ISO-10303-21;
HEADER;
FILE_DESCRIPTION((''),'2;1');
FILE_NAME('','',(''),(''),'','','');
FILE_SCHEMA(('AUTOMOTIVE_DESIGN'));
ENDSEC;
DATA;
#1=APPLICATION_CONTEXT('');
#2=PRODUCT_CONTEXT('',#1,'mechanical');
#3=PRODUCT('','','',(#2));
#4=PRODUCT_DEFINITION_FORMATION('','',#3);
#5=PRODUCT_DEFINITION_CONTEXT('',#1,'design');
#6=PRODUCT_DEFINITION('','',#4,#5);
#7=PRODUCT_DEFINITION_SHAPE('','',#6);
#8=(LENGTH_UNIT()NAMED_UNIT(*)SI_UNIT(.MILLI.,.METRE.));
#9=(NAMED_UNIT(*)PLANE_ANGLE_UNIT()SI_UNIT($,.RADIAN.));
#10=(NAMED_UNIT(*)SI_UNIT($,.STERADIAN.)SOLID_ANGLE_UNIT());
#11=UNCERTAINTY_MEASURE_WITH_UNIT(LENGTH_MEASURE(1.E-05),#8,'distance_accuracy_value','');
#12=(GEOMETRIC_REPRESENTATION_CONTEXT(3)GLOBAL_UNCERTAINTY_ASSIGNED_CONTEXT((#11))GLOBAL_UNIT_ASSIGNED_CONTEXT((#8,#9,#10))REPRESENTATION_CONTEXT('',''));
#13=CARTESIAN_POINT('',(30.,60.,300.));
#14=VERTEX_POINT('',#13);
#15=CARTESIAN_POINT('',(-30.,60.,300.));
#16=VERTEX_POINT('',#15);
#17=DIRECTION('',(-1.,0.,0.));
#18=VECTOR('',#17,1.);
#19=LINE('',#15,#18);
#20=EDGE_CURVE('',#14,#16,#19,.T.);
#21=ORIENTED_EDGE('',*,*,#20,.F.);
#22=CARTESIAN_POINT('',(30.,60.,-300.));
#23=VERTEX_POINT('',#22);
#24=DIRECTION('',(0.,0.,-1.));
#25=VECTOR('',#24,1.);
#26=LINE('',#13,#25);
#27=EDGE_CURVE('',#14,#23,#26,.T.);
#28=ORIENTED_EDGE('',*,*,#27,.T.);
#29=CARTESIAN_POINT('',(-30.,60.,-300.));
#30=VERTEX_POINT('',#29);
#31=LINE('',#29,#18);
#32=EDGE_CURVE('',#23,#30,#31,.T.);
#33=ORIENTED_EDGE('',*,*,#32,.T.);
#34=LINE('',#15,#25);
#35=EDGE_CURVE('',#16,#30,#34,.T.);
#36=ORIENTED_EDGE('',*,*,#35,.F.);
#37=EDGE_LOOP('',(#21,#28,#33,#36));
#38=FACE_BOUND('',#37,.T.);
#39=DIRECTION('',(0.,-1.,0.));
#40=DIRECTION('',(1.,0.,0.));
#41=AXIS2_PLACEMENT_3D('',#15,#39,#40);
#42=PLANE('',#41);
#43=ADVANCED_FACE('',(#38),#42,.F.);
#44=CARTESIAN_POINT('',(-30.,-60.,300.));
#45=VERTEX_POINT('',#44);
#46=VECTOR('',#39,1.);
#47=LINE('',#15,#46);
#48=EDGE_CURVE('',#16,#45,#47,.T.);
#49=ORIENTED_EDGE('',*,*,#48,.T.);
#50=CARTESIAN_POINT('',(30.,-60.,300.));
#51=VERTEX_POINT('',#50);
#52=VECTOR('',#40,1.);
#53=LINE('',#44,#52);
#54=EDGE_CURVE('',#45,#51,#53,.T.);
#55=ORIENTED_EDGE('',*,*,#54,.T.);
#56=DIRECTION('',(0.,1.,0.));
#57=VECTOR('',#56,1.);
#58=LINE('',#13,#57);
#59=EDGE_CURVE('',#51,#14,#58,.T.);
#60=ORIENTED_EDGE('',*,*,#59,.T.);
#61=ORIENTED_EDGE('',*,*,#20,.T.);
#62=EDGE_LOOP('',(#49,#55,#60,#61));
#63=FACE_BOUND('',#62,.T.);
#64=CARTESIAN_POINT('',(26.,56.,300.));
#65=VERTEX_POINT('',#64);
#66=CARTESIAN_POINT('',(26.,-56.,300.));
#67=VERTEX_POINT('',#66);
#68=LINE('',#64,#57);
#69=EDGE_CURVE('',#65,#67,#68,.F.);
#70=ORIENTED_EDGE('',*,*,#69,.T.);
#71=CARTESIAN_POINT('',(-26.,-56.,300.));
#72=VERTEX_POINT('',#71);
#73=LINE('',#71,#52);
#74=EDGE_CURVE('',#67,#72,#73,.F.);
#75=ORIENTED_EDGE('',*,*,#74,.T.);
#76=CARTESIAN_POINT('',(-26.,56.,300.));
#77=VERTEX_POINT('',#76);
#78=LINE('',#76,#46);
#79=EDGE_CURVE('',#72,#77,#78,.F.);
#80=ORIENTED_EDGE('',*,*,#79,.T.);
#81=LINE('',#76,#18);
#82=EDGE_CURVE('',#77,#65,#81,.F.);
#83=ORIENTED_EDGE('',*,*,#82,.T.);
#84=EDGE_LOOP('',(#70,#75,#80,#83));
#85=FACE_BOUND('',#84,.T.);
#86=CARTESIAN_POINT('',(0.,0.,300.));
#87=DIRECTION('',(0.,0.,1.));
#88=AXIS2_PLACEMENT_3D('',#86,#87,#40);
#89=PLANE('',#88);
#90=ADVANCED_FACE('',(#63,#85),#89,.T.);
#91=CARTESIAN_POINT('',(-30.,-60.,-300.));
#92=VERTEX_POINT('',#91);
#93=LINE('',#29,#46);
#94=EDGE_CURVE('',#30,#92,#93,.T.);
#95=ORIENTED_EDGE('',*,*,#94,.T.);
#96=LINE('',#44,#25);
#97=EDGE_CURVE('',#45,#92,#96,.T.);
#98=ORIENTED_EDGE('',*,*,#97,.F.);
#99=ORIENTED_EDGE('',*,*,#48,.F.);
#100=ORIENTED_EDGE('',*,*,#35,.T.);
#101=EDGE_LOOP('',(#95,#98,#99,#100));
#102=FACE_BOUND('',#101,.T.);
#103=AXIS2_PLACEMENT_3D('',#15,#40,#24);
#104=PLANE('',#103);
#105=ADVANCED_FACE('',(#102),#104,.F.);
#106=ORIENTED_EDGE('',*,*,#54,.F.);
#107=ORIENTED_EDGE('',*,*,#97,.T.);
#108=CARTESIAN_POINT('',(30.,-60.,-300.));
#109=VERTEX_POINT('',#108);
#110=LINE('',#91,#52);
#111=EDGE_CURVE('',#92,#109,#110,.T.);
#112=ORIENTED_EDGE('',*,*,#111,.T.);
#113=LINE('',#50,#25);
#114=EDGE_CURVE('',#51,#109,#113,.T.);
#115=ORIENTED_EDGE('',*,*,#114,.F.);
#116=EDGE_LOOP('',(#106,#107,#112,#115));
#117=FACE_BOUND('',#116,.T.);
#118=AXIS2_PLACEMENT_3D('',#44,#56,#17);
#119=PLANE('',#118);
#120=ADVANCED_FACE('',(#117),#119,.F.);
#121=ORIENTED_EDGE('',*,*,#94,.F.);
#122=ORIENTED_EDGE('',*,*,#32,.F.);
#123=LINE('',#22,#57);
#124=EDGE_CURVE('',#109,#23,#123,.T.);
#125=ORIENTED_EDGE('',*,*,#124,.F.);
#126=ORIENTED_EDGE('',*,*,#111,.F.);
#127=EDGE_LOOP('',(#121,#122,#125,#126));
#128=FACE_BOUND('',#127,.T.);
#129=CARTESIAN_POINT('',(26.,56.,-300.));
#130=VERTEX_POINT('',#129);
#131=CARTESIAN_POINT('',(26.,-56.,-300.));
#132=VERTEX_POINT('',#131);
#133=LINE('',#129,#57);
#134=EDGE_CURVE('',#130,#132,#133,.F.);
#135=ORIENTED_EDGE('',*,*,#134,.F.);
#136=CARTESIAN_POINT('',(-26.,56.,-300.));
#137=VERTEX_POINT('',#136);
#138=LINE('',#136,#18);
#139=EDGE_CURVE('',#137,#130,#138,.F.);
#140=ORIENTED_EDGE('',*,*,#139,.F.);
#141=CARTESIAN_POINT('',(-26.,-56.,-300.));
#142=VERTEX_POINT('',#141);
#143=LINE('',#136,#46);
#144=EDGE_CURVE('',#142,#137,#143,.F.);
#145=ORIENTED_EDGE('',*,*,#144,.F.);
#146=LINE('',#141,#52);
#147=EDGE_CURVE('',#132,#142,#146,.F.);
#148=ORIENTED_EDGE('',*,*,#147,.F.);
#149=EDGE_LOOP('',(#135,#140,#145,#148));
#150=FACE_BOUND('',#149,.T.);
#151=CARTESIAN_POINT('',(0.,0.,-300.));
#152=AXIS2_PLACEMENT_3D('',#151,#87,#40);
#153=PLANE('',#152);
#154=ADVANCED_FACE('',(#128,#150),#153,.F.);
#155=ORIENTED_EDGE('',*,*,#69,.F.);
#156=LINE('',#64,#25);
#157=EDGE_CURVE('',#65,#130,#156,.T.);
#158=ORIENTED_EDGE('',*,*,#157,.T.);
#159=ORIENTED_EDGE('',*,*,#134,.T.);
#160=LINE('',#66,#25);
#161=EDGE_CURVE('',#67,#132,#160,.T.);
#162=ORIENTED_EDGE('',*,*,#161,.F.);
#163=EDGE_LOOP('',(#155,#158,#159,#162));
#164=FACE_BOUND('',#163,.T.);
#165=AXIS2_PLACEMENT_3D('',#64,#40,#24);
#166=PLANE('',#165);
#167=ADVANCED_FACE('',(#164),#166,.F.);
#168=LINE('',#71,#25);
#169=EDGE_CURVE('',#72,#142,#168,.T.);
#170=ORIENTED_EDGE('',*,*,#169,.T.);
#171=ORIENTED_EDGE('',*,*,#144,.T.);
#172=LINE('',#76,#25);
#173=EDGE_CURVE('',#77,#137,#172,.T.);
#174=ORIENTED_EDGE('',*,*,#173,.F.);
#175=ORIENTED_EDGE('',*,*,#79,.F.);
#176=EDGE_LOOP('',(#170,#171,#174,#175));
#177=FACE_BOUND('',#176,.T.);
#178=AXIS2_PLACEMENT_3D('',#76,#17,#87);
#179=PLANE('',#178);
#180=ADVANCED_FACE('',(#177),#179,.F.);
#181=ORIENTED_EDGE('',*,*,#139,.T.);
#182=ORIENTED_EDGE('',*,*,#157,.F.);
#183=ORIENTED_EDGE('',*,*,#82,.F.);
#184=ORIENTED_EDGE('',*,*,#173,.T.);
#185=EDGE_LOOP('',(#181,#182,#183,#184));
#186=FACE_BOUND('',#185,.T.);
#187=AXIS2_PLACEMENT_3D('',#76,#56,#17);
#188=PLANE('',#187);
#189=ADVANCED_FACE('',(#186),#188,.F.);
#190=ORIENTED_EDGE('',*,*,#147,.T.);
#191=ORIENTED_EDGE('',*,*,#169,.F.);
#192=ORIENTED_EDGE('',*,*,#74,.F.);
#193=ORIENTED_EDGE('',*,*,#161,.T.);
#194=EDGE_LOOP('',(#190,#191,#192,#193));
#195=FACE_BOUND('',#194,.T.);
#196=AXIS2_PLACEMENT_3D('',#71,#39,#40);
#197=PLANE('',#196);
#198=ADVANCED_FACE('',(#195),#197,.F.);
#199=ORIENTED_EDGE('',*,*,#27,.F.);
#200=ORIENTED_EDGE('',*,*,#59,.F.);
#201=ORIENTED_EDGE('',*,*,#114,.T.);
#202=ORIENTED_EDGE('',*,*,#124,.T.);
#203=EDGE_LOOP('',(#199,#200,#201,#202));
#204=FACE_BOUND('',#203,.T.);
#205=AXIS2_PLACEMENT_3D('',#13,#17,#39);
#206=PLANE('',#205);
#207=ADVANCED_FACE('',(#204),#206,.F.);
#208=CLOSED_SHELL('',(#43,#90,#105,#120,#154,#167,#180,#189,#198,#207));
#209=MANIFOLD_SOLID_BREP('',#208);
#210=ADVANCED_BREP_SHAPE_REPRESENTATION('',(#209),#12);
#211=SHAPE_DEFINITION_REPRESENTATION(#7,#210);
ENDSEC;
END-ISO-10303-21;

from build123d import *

# Parameters (mm, degrees)
SKETCH1_W   = 60
SKETCH1_H   = 120
SKETCH1_W_2 = 52
SKETCH1_H_2 = 112


with BuildPart() as part:
    # Sweep1: sweep along a curve in space
    with BuildLine() as sweep1_path:
        add(Edge.make_bspline(
            [(0, 0, -300), (0, 0, 300)],
            knots=[0, 0, 1, 1], degree=1))
    # Sketch1 → Sweep1 (sweep)
    with BuildSketch(Plane.XY):
        Rectangle(SKETCH1_W, SKETCH1_H)
        Rectangle(SKETCH1_W_2, SKETCH1_H_2, mode=Mode.SUBTRACT)
    sweep(path=sweep1_path.line)


solid = part.part
